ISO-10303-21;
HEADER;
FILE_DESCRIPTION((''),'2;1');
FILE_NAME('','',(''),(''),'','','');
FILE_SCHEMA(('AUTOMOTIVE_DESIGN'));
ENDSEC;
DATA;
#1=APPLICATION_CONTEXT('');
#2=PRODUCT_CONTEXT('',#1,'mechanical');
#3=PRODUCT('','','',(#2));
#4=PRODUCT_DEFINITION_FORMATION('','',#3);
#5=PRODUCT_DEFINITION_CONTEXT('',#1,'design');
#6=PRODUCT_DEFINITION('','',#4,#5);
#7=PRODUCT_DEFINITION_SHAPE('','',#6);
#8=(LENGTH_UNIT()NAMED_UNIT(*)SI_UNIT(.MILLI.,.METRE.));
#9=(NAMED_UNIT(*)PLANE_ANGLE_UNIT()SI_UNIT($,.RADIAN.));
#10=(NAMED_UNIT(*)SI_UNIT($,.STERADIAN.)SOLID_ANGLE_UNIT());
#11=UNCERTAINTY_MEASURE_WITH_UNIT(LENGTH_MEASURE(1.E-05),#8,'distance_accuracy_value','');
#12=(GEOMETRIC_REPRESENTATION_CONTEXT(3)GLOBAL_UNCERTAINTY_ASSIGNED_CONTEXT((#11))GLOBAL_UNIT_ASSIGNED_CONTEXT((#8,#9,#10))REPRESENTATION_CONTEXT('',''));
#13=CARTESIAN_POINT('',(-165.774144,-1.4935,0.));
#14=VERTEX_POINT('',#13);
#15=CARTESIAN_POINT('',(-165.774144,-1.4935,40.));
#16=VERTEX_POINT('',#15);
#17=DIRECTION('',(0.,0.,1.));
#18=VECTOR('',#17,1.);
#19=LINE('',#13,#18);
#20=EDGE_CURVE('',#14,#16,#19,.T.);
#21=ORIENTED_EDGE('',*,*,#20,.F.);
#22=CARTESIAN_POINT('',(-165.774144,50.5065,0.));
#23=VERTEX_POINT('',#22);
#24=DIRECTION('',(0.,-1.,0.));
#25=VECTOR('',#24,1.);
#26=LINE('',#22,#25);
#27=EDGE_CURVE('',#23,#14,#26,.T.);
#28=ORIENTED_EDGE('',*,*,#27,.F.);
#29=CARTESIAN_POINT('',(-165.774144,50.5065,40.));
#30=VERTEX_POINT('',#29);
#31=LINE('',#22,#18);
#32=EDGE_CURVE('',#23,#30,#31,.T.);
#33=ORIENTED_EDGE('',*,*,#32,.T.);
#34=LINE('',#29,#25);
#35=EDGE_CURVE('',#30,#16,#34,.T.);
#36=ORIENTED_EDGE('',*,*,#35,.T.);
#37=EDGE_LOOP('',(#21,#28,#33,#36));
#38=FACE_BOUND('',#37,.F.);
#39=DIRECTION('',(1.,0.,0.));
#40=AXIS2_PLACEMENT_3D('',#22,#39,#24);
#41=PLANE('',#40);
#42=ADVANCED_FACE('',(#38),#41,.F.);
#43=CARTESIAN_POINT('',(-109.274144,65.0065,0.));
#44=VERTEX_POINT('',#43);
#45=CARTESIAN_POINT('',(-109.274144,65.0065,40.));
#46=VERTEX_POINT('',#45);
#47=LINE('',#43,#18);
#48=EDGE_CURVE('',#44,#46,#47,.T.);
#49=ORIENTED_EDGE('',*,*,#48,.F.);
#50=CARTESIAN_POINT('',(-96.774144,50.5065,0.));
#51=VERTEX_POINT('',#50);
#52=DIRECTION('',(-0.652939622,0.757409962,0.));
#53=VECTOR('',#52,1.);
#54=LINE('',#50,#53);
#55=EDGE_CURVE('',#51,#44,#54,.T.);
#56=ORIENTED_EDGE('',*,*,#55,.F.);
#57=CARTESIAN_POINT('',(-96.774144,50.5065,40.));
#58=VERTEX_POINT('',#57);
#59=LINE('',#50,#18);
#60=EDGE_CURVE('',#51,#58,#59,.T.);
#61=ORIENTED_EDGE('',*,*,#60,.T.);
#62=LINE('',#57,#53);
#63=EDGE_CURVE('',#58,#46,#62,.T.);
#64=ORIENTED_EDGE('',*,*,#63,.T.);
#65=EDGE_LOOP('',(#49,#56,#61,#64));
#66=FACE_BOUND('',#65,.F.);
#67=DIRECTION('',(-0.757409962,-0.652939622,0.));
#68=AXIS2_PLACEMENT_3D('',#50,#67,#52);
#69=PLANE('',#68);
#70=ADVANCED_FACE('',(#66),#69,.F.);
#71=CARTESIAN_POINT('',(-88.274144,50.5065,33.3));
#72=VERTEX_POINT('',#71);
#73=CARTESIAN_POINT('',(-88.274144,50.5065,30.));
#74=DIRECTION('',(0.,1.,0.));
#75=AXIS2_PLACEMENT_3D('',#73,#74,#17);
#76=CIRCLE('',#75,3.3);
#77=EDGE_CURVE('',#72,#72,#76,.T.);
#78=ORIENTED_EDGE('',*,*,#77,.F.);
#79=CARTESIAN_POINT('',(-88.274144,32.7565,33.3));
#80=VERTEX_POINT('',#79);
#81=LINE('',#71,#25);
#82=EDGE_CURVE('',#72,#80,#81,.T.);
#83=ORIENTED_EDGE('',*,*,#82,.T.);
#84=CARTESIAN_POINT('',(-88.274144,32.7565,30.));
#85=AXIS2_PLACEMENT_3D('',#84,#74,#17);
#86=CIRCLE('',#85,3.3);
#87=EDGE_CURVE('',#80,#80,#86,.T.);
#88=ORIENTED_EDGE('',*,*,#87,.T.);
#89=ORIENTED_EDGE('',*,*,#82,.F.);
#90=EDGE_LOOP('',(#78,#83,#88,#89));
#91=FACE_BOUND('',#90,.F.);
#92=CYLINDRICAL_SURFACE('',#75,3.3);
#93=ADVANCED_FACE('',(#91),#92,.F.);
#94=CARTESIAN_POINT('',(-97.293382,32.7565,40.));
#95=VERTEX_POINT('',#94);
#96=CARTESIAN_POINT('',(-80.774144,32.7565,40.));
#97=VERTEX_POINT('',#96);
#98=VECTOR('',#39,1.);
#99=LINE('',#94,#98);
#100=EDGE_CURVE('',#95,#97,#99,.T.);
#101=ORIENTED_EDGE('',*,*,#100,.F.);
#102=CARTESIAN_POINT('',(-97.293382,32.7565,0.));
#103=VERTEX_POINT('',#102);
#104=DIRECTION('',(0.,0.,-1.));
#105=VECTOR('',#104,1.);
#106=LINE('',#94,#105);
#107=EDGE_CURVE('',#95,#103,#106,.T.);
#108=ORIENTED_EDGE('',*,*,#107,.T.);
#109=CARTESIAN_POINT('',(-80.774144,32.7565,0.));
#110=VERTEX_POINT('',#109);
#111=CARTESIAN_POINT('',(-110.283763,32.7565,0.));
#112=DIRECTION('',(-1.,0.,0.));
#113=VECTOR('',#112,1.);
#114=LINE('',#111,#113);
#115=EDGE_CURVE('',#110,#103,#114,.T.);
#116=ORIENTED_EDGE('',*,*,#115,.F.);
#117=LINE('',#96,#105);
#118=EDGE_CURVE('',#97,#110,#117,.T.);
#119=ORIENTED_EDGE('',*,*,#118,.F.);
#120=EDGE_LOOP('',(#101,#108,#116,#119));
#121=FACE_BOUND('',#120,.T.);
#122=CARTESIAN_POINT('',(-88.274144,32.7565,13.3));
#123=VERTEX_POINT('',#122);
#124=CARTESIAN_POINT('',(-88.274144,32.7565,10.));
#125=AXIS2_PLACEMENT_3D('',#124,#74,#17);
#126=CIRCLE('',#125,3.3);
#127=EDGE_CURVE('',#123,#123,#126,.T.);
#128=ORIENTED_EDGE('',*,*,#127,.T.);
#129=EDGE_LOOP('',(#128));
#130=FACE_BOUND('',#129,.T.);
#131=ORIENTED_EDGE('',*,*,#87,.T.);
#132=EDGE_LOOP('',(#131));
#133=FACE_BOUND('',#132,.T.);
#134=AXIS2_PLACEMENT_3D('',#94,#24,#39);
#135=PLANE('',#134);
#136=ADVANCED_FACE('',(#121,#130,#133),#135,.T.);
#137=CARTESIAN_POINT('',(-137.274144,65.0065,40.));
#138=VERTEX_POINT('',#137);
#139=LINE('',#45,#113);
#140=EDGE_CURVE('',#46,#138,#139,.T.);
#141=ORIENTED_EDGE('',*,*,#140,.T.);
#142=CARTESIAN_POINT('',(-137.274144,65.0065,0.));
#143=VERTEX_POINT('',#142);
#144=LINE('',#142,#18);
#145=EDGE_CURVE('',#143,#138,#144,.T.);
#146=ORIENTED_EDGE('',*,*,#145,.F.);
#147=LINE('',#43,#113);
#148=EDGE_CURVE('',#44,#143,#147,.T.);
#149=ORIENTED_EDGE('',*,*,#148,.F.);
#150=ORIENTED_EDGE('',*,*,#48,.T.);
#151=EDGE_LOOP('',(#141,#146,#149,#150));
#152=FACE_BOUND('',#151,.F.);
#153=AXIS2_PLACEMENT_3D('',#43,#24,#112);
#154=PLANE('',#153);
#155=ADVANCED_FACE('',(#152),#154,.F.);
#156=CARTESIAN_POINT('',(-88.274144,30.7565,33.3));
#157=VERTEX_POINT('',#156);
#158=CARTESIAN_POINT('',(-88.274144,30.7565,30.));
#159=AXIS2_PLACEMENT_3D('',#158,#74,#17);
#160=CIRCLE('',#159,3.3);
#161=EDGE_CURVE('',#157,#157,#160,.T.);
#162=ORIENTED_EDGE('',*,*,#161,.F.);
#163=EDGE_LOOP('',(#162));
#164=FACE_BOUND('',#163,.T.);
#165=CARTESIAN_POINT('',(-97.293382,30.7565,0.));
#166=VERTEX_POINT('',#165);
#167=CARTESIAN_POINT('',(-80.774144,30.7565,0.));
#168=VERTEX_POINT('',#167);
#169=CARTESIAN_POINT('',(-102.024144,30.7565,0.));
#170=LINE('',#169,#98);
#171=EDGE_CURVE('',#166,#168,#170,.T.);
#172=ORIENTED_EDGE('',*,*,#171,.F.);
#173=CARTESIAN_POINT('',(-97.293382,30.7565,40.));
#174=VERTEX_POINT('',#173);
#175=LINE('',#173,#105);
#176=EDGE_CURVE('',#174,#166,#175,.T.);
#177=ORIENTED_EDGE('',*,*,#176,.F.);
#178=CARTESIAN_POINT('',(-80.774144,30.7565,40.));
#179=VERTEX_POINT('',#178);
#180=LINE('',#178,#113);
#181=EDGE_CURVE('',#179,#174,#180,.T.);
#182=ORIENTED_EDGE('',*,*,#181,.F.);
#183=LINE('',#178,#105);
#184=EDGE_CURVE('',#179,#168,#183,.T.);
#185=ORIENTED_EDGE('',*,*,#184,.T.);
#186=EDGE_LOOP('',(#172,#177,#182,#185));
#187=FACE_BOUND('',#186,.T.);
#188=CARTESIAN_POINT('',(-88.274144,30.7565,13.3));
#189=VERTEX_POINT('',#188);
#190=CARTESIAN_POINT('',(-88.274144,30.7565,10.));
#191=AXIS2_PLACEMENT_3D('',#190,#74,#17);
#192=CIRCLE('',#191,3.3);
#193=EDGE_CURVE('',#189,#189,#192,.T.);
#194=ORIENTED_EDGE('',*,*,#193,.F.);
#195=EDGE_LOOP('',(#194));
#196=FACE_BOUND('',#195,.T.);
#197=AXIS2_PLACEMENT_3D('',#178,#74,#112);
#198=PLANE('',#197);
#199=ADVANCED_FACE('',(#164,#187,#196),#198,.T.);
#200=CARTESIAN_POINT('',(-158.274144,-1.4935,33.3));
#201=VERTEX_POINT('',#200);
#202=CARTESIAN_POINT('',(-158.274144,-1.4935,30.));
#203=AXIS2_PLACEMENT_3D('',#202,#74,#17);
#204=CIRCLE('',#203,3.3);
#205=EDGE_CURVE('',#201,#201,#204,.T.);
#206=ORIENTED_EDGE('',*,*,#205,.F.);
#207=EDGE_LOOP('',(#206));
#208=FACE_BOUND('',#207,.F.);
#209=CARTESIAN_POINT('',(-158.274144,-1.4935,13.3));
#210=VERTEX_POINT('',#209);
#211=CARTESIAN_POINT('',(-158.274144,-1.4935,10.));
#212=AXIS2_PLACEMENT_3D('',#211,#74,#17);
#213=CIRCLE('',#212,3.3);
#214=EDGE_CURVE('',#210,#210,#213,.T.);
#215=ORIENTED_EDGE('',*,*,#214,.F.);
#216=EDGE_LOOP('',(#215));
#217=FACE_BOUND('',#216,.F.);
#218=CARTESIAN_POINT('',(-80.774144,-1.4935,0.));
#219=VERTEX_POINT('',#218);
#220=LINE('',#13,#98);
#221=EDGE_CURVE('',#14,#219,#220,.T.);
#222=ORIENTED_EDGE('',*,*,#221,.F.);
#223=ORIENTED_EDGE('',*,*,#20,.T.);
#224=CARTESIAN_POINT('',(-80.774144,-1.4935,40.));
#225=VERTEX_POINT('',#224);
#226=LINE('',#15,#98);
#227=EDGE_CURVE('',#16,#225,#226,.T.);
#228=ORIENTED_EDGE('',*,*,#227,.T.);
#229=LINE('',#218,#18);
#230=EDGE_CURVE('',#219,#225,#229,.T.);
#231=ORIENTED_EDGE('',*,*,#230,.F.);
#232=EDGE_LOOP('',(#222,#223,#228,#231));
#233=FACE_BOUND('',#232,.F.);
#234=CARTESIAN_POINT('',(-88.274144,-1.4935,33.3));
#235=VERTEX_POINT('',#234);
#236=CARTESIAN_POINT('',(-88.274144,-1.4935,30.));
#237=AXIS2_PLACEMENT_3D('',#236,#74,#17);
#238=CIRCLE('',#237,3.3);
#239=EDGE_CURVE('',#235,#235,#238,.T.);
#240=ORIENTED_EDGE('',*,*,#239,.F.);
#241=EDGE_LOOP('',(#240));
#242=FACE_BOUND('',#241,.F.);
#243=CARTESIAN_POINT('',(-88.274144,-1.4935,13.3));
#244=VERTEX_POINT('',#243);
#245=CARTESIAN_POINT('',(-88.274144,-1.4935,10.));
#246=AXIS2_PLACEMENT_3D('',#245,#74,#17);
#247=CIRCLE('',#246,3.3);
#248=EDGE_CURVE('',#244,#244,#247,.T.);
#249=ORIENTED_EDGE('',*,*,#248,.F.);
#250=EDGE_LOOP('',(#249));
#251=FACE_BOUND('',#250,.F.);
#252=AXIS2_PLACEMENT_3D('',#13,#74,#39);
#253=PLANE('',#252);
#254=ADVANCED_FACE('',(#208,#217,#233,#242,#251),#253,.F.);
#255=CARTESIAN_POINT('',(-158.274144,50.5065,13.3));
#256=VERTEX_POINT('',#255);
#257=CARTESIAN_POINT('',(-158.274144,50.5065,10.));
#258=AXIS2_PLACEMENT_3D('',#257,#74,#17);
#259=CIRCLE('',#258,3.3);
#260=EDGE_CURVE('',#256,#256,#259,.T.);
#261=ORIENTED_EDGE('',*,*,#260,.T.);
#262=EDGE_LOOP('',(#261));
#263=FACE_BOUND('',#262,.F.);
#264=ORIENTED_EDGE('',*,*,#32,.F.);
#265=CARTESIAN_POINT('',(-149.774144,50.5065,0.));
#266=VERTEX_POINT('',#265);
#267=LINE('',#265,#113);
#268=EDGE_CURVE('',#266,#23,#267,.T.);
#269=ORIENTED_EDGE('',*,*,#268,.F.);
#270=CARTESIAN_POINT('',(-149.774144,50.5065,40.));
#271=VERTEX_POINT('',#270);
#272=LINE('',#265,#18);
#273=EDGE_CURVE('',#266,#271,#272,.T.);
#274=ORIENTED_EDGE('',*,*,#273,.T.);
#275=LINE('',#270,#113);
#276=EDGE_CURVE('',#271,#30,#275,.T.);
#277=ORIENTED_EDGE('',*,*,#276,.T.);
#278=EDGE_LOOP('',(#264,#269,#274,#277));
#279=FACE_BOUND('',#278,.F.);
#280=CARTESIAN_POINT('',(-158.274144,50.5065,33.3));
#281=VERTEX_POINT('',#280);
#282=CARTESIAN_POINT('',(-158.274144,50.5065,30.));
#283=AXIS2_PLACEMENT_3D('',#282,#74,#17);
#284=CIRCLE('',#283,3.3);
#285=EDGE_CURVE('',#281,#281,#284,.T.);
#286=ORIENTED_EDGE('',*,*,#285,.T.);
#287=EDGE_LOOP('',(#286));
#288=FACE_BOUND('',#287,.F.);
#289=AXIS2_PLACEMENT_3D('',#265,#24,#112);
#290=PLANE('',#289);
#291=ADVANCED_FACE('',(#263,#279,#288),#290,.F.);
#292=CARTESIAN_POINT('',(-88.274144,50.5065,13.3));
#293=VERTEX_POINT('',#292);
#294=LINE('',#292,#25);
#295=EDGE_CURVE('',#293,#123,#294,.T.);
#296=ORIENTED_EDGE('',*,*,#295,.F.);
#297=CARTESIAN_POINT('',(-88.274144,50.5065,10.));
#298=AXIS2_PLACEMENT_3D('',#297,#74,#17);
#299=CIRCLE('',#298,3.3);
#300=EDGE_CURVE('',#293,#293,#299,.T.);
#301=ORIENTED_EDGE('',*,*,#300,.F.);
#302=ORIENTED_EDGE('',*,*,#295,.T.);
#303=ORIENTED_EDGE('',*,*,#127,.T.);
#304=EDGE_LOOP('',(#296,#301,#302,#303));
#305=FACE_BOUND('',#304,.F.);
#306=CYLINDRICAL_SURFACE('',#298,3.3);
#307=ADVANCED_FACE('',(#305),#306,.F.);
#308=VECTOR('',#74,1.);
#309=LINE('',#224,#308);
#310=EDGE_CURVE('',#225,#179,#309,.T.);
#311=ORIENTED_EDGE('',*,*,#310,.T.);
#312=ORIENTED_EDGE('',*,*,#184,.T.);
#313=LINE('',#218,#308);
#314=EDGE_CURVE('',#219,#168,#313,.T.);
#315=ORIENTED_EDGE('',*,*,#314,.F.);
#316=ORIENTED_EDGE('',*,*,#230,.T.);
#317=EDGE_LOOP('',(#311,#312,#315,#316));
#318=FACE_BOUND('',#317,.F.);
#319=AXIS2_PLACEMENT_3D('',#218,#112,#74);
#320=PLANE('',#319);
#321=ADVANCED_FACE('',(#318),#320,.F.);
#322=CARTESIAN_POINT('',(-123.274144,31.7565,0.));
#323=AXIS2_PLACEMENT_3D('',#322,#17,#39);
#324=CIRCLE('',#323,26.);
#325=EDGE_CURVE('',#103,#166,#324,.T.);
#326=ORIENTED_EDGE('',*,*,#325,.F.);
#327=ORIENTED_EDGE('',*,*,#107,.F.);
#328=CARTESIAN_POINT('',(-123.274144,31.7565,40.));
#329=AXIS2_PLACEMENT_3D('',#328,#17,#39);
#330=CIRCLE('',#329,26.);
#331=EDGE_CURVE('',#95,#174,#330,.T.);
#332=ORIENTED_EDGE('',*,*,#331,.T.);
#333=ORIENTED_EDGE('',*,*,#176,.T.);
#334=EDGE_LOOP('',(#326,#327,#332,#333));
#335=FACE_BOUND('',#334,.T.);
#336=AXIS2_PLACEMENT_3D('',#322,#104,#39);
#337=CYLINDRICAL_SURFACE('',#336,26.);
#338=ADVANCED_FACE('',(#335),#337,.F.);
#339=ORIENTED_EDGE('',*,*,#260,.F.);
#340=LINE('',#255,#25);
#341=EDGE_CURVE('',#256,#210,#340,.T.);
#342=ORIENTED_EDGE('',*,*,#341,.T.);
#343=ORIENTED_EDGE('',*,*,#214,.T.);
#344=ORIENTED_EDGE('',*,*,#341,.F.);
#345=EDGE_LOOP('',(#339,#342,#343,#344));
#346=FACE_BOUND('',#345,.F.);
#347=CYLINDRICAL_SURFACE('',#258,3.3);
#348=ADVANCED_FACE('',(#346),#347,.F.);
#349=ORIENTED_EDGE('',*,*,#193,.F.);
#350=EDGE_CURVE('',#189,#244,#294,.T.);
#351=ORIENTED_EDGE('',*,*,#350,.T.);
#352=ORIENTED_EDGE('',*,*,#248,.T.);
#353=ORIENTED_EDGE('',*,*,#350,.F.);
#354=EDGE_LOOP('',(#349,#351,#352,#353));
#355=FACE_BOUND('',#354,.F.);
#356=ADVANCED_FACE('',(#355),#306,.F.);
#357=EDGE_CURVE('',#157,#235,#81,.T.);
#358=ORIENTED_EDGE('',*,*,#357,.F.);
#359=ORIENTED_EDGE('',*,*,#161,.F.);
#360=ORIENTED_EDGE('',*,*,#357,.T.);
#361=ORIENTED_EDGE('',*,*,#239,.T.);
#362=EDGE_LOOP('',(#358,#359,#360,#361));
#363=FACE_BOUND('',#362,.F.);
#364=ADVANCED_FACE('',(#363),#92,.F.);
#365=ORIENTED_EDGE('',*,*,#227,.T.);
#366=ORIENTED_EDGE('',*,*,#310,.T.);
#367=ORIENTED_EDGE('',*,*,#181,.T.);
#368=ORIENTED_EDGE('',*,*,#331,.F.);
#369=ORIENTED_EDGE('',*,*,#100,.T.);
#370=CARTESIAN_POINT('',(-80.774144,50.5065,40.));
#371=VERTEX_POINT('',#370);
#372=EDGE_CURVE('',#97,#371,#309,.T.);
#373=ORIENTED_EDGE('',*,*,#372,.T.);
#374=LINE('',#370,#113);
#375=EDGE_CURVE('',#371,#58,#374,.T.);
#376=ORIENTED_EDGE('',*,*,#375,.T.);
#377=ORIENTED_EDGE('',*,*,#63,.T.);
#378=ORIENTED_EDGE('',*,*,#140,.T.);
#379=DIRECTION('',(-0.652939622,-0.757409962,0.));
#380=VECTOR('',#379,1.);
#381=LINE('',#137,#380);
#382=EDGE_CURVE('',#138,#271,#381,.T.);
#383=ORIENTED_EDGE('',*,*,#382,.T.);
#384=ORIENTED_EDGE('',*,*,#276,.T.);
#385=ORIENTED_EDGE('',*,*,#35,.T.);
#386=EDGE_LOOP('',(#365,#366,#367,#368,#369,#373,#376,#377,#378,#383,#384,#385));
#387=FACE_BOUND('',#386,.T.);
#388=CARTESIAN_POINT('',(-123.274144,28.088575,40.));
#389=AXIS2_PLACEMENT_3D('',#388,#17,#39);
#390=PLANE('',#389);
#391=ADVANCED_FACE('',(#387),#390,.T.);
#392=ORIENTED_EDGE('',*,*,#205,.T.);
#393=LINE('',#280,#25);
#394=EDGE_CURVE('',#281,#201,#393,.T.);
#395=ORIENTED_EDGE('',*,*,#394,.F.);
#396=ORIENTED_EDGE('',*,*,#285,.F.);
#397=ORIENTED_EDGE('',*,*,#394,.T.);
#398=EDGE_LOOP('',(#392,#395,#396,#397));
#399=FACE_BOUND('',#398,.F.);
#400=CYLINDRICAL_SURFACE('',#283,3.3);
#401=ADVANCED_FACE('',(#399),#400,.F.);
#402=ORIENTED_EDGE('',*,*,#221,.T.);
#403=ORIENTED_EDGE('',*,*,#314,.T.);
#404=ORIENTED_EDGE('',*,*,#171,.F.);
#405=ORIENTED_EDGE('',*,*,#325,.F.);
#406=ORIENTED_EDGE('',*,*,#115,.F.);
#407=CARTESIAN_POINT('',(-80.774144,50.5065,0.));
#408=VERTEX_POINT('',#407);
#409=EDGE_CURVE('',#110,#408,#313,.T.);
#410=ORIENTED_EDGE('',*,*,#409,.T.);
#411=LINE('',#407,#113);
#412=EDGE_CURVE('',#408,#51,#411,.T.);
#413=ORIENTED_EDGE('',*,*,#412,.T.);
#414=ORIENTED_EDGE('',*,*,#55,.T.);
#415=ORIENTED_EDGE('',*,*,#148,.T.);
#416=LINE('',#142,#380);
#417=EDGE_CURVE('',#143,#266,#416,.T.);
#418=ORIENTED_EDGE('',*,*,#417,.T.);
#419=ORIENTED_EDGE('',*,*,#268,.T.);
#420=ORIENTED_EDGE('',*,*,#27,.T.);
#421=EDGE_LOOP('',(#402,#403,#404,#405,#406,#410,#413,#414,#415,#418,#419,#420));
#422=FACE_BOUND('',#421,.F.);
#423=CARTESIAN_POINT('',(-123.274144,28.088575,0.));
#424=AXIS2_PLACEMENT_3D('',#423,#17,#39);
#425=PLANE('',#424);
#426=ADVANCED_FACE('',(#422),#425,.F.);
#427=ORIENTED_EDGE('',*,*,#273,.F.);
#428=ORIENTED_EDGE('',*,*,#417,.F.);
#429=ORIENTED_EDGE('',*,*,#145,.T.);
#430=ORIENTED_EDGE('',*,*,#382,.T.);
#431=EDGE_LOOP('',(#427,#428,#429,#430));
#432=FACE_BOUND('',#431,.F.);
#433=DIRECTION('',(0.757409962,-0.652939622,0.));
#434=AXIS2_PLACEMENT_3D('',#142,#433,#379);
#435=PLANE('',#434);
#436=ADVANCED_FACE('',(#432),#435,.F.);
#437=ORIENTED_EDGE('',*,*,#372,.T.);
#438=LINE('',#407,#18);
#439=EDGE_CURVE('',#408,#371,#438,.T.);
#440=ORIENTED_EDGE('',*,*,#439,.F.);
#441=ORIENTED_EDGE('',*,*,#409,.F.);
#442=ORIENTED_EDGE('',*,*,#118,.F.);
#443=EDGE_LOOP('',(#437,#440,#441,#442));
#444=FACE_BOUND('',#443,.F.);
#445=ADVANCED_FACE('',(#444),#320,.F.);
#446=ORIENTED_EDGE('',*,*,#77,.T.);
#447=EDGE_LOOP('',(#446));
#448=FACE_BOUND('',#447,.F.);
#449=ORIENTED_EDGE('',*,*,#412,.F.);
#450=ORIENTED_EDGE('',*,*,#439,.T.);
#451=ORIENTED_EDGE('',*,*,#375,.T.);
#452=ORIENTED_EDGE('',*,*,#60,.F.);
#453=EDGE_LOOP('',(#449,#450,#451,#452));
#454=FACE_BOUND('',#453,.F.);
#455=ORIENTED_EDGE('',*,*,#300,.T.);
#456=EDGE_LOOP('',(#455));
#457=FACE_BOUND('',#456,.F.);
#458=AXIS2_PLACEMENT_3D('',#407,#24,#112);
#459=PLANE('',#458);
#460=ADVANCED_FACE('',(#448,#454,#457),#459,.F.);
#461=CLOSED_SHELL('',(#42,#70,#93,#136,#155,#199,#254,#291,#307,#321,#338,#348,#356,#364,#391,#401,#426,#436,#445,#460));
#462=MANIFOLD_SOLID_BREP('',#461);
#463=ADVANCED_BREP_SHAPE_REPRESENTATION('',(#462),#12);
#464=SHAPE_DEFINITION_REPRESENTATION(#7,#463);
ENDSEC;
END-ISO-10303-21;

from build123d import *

# Parameters (mm, degrees)
ESQUISSE1_R             = 26
BOSS_EXTRU_1_DEPTH      = 40
ENL_V_MAT_EXTRU_1_REACH = 184.502
ESQUISSE3_R             = 3.3
ENL_V_MAT_EXTRU_2_DEPTH = 179.283669838


with BuildPart() as part:
    # Esquisse1 → Boss.-Extru.1 (new body)
    with BuildSketch(Plane.XY):
        Polygon((-165.774144338, -1.493499921), (-80.774144338, -1.493499921), (-80.774144338, 50.506500079), (-96.774144338, 50.506500079), (-109.274144338, 65.006500079), (-137.274144338, 65.006500079), (-149.774144338, 50.506500079), (-165.774144338, 50.506500079), align=None)
        with Locations((-123.274144338, 31.756500079)):
            Circle(ESQUISSE1_R, mode=Mode.SUBTRACT)
    extrude(amount=BOSS_EXTRU_1_DEPTH)

    # Esquisse2 → Enlèv. mat.-Extru.1 (cut, up to next)
    with BuildSketch(Plane.XY.offset(40), mode=Mode.PRIVATE) as enl_v_mat_extru_1_sk1:
        with BuildLine():
            Line((-97.293382224, 32.756500079), (-80.774144338, 32.756500079))
            Line((-80.774144338, 32.756500079), (-80.774144338, 30.756500079))
            Line((-80.774144338, 30.756500079), (-97.293382224, 30.756500079))
            ThreePointArc((-97.293382224, 30.756500079), (-97.274144338, 31.756500079), (-97.293382224, 32.756500079))
        make_face()
    enl_v_mat_extru_1_tool1 = extrude(enl_v_mat_extru_1_sk1.sketch, amount=-ENL_V_MAT_EXTRU_1_REACH, mode=Mode.PRIVATE) & part.part
    add(enl_v_mat_extru_1_tool1.solids().sort_by_distance((-89.027351, 31.7565, 40))[0], mode=Mode.SUBTRACT)

    # Esquisse3 → Enlèv. mat.-Extru.2 (cut, through all)
    with BuildSketch(Plane(origin=(0, 50.506500079, 0), x_dir=(1, 0, 0), z_dir=(0, 1, 0))):
        with Locations(Location((-158.274144338, -10, 0), (0, 0, 270))):
            Circle(ESQUISSE3_R)
        with Locations(Location((-158.274144338, -30, 0), (0, 0, 270))):
            Circle(ESQUISSE3_R)
        with Locations(Location((-88.274144338, -10, 0), (0, 0, 270))):
            Circle(ESQUISSE3_R)
        with Locations(Location((-88.274144338, -30, 0), (0, 0, 270))):
            Circle(ESQUISSE3_R)
    extrude(amount=-ENL_V_MAT_EXTRU_2_DEPTH, mode=Mode.SUBTRACT)


solid = part.part
